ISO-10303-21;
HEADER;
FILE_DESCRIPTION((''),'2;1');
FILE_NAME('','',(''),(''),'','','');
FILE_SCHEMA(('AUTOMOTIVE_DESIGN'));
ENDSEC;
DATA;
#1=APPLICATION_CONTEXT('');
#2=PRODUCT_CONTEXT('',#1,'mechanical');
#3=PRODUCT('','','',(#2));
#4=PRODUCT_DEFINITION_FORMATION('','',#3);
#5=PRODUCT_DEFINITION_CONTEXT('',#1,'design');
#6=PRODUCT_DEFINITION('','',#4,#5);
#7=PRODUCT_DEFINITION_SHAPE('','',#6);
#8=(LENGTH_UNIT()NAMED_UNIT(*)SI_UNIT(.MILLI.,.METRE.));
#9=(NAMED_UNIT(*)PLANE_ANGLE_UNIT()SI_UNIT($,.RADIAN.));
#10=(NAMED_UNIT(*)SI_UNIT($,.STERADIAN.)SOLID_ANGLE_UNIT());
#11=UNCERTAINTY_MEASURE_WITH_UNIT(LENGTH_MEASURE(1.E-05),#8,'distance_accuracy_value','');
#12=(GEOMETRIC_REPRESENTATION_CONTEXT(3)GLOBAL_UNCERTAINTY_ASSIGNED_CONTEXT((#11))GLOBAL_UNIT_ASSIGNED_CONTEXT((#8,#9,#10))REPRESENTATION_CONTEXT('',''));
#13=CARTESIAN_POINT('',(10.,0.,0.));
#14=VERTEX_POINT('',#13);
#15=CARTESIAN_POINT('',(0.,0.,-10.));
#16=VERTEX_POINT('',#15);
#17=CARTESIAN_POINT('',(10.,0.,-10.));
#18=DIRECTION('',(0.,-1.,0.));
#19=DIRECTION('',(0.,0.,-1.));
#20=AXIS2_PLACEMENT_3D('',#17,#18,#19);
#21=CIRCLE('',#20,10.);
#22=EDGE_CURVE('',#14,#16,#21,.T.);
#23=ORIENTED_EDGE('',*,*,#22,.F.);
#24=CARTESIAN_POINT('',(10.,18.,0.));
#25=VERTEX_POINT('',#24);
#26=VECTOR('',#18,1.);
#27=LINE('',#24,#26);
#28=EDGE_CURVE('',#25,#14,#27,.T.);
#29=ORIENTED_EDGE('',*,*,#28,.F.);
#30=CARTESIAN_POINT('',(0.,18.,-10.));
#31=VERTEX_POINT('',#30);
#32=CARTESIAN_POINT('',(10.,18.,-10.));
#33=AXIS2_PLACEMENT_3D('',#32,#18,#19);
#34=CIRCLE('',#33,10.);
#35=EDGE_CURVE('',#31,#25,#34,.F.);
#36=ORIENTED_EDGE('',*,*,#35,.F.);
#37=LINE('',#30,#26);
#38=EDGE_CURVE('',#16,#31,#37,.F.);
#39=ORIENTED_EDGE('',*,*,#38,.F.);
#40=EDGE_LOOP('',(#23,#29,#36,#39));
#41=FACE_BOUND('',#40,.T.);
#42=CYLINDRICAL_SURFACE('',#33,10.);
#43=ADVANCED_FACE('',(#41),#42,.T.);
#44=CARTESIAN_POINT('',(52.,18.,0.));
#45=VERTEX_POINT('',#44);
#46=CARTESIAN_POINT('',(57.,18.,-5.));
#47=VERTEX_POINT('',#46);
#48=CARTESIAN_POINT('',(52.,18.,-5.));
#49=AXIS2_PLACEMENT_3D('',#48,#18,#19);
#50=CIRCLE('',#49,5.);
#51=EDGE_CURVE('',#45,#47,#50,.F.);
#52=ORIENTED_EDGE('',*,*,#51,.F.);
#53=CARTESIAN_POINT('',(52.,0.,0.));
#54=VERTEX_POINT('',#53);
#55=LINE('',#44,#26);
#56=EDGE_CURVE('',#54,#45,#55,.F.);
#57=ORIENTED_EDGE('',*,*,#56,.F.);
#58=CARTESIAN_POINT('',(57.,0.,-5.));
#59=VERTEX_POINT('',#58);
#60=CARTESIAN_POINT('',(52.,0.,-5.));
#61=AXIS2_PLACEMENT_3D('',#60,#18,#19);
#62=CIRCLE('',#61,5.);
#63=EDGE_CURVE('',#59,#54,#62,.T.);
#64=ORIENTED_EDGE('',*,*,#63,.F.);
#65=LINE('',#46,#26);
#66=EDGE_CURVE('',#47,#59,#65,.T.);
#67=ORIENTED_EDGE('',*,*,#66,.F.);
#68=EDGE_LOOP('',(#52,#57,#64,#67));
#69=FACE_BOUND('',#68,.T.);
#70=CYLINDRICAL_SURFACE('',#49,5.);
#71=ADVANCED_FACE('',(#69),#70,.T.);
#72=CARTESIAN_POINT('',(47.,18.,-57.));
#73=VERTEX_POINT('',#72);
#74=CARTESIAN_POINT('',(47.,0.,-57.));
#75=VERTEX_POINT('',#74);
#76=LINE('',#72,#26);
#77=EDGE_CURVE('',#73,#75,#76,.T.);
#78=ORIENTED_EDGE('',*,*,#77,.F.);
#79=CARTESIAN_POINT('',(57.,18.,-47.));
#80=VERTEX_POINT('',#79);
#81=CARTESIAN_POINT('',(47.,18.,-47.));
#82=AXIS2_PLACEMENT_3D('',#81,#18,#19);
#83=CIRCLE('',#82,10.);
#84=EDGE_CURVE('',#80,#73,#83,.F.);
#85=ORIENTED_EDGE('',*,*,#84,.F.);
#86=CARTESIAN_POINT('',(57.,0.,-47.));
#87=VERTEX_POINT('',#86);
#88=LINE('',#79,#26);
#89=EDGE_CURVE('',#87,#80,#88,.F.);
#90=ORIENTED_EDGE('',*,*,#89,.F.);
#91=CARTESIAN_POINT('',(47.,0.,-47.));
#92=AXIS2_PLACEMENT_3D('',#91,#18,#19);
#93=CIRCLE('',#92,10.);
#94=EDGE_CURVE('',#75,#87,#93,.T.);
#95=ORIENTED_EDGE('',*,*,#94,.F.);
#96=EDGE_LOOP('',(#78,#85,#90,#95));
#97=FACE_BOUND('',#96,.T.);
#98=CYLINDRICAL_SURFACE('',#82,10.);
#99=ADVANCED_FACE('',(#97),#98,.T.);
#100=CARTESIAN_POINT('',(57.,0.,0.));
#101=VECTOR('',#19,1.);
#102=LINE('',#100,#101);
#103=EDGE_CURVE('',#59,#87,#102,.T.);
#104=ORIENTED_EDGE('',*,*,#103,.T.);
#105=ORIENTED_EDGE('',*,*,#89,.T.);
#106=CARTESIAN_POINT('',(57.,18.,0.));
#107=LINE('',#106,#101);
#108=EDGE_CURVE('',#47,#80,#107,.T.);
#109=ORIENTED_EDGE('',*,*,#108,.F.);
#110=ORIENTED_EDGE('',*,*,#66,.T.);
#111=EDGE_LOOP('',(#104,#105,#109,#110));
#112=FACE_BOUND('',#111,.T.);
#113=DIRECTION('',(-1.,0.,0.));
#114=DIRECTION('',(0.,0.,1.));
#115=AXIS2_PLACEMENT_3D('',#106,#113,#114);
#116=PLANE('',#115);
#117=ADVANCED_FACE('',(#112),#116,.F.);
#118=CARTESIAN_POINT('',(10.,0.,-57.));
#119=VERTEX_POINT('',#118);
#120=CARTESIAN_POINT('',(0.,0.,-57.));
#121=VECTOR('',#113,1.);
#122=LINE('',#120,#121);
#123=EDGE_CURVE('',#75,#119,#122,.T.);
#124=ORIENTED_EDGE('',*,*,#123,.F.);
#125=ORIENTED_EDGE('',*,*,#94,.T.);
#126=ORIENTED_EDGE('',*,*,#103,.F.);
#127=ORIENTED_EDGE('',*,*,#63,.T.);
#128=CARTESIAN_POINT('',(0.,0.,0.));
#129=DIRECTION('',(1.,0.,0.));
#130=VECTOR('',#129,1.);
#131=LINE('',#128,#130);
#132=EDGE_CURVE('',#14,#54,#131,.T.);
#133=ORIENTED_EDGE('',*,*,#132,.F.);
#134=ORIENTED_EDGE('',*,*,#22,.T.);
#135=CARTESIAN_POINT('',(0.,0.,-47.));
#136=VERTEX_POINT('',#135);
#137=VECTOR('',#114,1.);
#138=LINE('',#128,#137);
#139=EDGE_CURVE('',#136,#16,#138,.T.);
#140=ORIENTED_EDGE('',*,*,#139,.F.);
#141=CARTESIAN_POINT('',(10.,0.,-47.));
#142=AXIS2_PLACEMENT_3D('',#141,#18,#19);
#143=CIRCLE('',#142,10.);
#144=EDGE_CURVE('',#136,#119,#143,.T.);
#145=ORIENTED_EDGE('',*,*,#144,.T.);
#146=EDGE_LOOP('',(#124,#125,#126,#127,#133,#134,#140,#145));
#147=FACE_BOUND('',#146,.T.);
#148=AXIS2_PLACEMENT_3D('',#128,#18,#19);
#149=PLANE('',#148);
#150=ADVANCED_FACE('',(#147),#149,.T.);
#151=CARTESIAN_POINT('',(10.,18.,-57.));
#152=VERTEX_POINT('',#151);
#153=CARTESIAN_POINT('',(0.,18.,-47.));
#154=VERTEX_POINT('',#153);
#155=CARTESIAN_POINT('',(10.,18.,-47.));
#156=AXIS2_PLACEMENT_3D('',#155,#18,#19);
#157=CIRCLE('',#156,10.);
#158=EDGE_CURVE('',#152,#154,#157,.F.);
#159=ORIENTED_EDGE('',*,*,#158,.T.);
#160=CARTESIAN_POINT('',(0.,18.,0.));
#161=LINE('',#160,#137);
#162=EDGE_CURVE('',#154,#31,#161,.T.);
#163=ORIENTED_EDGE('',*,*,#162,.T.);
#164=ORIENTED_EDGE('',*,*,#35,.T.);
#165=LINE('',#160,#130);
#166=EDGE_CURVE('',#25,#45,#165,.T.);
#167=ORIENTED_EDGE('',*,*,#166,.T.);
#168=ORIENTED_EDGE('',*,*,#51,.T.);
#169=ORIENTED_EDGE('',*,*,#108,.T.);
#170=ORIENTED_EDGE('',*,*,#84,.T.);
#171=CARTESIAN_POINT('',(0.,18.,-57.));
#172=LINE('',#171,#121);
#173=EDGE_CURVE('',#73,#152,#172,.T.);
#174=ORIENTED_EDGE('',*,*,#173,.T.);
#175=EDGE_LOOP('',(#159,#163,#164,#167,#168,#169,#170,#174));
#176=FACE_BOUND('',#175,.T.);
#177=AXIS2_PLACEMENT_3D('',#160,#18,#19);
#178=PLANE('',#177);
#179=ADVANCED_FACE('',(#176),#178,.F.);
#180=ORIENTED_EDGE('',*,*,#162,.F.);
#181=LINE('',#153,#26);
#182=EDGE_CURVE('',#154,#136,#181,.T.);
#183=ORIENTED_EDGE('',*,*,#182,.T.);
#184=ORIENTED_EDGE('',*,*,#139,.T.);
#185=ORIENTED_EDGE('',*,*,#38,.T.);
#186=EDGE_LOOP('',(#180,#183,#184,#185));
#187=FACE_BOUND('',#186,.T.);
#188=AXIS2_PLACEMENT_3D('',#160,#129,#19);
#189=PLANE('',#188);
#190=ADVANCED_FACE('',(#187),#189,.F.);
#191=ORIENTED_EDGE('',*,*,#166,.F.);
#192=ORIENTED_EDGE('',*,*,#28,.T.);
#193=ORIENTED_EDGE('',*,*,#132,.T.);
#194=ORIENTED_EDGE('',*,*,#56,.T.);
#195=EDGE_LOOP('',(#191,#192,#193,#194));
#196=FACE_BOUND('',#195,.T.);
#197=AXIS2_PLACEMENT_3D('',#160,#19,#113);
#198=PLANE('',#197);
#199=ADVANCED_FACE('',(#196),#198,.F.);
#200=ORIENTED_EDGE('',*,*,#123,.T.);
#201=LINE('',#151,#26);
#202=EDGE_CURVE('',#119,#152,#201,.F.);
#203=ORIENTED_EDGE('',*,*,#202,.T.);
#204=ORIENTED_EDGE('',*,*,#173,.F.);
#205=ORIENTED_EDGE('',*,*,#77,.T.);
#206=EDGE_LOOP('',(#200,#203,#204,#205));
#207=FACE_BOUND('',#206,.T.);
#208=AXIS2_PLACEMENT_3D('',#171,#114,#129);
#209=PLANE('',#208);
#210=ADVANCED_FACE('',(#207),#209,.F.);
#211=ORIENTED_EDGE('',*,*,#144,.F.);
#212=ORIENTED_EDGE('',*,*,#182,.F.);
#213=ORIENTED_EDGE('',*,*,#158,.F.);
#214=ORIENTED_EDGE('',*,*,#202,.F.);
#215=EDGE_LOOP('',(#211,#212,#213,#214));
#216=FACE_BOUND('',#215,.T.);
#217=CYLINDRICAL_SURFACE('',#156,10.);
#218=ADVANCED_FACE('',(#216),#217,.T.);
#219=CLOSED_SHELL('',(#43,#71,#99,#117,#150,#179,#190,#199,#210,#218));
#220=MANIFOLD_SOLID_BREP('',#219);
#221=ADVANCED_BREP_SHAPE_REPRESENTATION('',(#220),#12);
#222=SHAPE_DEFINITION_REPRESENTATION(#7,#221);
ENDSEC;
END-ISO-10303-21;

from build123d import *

# Parameters (mm, degrees)
SKETCH1_W           = 57
SKETCH1_H           = 57
BOSS_EXTRUDE1_DEPTH = 18
FILLET1_R           = 5
FILLET2_R           = 10


with BuildPart() as part:
    # Sketch1 → Boss-Extrude1 (new body)
    with BuildSketch(Plane(origin=(0, 0, 0), x_dir=(1, 0, 0), z_dir=(0, 1, 0))):
        with Locations((28.5, 28.5)):
            Rectangle(SKETCH1_W, SKETCH1_H)
    extrude(amount=BOSS_EXTRUDE1_DEPTH)

    # Fillet1
    fillet1_edges = [part.edges().sort_by_distance(p)[0] for p in [
        (57, 9, 0),
    ]]
    fillet(fillet1_edges, radius=FILLET1_R)

    # Fillet2
    fillet2_edges = [part.edges().sort_by_distance(p)[0] for p in [
        (0, 9, -57),
        (57, 9, -57),
        (0, 9, 0),
    ]]
    fillet(fillet2_edges, radius=FILLET2_R)


solid = part.part
